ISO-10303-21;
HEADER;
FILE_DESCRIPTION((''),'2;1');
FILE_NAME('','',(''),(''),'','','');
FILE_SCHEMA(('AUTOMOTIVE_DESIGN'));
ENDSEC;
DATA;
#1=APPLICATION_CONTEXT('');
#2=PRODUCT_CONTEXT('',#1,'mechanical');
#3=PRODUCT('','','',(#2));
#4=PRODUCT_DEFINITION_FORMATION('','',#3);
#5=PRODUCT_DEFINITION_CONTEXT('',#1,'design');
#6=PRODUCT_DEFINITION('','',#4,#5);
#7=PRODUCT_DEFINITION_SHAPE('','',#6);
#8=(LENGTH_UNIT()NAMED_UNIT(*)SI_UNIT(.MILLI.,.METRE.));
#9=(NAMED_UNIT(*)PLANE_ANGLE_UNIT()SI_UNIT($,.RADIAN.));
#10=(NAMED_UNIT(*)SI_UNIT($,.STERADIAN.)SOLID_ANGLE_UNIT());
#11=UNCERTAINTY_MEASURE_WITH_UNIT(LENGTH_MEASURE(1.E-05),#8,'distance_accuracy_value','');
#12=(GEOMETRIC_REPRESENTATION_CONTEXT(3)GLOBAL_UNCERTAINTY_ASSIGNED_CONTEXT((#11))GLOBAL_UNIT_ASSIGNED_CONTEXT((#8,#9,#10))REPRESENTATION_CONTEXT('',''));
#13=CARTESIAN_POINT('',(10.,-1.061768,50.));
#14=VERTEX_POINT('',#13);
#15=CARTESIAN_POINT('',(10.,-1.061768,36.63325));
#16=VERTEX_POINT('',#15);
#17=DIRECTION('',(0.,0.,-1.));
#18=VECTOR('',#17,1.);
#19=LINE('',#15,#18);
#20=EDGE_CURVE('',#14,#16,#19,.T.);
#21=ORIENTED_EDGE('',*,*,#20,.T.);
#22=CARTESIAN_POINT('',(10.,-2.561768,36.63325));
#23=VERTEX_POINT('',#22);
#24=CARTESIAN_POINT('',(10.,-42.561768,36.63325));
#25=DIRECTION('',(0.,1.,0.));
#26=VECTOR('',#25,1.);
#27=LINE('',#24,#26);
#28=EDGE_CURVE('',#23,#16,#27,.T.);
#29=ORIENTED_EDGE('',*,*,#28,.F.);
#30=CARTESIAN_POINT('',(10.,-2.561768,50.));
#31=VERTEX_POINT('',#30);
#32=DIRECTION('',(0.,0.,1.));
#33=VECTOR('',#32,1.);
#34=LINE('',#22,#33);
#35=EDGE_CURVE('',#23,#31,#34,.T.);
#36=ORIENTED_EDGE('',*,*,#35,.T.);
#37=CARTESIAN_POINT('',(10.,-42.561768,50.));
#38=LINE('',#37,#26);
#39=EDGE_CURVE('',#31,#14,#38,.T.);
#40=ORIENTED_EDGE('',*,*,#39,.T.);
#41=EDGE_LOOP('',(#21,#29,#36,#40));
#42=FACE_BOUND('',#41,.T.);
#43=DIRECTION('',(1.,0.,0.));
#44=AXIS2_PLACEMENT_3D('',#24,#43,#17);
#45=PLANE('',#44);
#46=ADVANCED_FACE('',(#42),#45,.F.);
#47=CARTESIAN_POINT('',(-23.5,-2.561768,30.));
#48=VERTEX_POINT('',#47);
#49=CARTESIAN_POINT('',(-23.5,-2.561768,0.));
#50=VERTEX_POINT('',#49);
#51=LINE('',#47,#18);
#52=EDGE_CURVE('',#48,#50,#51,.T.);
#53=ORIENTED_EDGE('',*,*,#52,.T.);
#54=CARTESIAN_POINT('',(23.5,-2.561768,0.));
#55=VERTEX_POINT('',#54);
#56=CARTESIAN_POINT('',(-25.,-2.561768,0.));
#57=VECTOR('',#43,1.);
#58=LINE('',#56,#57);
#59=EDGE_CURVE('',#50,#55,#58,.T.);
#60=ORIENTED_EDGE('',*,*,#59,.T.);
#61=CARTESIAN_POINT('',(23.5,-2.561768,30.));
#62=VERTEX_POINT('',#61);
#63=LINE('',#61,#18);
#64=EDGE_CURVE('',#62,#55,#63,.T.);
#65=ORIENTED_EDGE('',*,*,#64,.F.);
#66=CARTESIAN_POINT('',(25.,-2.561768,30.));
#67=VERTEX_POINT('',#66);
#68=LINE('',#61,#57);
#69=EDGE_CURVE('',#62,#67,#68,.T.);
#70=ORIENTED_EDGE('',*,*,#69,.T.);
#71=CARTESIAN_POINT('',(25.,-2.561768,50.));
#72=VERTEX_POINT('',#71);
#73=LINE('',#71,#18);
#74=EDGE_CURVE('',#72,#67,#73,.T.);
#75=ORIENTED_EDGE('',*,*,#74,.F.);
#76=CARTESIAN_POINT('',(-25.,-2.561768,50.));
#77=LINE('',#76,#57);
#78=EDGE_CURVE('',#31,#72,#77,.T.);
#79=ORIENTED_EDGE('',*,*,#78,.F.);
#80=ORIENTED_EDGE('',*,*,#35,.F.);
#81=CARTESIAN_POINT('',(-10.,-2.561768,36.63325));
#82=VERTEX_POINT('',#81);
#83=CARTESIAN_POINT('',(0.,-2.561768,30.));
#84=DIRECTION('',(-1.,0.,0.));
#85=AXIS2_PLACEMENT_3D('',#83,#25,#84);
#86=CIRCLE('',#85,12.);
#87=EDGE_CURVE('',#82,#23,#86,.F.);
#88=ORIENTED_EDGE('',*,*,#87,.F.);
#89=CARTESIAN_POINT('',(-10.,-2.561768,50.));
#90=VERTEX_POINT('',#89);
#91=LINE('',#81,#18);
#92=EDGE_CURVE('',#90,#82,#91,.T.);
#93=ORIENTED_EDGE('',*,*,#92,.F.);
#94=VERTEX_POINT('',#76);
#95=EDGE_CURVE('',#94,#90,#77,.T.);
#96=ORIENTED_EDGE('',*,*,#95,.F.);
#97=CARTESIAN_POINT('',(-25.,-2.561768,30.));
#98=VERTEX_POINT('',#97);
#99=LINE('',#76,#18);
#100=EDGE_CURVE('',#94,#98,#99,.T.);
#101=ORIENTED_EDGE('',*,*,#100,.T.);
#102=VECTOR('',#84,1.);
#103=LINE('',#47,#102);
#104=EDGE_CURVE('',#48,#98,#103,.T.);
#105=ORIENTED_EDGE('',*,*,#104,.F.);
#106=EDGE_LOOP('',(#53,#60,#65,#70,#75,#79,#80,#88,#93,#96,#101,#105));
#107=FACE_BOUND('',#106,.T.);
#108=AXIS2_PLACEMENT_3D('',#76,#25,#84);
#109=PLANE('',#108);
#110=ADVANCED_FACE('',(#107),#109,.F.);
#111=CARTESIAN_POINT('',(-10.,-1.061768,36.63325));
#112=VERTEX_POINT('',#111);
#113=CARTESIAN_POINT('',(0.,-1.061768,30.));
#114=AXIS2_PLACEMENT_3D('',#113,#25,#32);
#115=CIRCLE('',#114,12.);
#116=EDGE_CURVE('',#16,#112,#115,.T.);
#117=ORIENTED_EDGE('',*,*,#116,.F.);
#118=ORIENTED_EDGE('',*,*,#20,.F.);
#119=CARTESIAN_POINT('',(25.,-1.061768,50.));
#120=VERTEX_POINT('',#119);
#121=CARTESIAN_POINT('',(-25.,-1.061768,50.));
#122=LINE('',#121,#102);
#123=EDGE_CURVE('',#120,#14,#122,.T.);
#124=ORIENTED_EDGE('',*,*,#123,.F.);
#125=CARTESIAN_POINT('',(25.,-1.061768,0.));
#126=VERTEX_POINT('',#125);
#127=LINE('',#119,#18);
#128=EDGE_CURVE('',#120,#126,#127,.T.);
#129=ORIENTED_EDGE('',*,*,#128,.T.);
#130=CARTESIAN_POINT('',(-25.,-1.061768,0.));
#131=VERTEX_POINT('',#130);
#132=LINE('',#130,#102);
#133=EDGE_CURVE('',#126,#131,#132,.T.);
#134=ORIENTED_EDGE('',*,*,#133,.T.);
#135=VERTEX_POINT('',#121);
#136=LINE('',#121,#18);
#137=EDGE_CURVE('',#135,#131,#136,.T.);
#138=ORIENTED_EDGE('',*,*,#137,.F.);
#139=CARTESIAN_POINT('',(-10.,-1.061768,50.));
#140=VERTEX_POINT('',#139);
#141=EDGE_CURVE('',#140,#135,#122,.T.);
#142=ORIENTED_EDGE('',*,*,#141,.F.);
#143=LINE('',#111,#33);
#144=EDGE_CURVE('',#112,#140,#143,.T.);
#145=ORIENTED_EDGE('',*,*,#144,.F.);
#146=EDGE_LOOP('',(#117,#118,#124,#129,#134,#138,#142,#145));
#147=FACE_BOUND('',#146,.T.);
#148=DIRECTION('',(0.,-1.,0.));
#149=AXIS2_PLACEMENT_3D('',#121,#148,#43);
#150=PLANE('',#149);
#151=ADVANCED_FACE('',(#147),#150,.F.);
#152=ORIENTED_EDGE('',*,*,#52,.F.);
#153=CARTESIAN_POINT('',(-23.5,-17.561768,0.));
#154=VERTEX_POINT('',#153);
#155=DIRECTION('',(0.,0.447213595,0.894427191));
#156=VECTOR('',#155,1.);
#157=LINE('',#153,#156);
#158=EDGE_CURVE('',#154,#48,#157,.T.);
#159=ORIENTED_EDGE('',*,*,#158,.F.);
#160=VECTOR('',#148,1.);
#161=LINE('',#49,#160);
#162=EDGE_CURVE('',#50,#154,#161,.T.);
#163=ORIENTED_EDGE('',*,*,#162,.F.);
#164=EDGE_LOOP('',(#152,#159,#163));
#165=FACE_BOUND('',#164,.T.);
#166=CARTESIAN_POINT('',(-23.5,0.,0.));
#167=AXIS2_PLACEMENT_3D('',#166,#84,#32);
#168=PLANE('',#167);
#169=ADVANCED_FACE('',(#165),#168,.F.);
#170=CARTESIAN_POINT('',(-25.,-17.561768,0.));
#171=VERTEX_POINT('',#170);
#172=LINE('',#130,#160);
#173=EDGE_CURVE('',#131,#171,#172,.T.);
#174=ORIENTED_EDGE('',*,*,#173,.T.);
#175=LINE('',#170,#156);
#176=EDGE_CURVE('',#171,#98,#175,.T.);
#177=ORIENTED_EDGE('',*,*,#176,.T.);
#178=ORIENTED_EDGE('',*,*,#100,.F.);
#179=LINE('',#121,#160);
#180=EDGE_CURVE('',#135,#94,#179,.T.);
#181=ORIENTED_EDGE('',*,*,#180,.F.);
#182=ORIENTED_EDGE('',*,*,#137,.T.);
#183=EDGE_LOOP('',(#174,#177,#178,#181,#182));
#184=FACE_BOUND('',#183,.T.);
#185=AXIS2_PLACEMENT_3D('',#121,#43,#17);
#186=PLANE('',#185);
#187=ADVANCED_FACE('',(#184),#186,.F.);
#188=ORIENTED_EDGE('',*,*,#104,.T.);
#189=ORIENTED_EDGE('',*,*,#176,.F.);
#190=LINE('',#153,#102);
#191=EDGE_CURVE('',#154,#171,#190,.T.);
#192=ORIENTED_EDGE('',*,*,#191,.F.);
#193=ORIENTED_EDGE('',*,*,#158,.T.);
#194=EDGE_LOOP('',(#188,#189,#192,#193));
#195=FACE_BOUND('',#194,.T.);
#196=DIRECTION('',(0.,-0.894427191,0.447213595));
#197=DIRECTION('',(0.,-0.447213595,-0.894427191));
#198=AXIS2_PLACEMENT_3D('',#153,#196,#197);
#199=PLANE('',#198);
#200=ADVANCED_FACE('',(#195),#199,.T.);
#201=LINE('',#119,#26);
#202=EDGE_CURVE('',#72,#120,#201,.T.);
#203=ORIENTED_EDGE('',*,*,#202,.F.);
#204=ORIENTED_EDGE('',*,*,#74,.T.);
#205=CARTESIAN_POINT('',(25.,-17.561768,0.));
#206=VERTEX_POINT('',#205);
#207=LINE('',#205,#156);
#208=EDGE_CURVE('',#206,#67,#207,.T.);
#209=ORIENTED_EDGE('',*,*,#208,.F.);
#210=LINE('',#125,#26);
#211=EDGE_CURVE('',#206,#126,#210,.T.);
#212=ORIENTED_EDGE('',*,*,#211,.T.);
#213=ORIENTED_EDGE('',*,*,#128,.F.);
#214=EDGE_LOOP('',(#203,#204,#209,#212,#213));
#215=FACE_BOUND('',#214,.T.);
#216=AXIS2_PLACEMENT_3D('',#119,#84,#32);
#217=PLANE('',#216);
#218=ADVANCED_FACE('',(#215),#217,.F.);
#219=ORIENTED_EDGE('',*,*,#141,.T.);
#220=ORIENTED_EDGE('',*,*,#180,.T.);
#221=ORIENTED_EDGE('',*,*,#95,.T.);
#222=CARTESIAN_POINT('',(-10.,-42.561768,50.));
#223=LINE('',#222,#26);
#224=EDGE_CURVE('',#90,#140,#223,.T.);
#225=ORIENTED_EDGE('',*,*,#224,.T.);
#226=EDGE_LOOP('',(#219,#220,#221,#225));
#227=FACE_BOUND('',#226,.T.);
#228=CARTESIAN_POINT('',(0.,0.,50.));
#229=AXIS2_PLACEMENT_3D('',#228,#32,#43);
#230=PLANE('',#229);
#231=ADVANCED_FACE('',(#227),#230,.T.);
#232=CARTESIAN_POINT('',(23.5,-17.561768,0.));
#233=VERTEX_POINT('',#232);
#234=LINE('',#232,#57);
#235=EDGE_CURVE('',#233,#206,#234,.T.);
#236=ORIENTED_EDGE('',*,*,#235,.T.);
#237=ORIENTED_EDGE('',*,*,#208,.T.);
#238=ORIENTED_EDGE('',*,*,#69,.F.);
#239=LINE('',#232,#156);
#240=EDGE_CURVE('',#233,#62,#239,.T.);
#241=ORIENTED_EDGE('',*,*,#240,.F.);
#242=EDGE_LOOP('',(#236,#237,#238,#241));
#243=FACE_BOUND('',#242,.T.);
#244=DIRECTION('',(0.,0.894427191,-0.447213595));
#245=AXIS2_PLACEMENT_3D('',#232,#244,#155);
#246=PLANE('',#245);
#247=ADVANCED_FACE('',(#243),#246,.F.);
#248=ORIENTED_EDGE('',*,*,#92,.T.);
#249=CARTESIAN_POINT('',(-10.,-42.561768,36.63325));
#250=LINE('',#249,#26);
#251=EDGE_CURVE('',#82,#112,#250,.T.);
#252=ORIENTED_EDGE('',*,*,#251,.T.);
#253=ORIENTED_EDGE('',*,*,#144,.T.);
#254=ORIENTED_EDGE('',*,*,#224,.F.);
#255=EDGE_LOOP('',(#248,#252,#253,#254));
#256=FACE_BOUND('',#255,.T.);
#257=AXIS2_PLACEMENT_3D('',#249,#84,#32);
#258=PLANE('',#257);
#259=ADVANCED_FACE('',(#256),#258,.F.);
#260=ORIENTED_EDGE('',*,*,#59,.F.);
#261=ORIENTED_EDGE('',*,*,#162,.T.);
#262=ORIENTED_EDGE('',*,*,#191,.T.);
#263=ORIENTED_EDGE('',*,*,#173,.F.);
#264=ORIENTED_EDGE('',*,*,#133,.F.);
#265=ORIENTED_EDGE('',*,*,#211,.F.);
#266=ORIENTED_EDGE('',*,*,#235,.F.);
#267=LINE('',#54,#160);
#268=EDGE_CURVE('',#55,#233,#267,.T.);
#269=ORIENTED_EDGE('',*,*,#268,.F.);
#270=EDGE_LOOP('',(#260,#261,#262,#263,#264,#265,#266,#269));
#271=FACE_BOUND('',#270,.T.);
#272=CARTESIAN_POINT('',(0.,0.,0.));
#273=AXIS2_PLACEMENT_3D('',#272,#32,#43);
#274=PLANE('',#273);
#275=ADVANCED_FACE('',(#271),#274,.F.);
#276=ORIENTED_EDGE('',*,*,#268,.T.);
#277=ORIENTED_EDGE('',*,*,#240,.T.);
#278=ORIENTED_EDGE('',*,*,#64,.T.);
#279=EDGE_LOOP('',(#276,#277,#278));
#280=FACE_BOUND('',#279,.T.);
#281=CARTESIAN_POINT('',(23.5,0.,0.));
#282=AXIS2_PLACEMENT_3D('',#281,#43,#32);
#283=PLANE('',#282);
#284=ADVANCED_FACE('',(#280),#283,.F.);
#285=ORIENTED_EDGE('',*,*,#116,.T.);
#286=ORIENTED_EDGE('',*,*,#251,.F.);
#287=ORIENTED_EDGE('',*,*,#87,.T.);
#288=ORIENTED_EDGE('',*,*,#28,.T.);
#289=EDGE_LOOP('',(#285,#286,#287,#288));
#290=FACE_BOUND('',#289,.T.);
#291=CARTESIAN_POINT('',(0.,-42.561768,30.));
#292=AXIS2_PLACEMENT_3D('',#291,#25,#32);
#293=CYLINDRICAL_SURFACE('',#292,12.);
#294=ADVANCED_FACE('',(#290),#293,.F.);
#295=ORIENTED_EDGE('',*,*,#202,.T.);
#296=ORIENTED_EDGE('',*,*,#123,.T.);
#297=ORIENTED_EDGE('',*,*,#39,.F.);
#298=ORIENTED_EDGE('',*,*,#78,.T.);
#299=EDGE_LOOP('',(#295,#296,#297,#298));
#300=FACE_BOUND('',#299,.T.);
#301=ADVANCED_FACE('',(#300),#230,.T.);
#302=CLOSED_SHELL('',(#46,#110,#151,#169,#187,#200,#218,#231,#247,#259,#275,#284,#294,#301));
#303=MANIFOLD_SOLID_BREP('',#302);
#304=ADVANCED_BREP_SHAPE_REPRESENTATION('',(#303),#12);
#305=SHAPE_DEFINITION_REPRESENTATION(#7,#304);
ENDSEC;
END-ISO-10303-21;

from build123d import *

# Parameters (mm, degrees)
SKETCH1_W           = 50
SKETCH1_H           = 1.5
BOSS_EXTRUDE1_DEPTH = 50
CUT_EXTRUDE1_DEPTH  = 1.5
BOSS_EXTRUDE2_DEPTH = 1.5


with BuildPart() as part:
    # Sketch1 → Boss-Extrude1 (new body)
    with BuildSketch(Plane.XY):
        with Locations((0, -1.811768481)):
            Rectangle(SKETCH1_W, SKETCH1_H)
    extrude(amount=BOSS_EXTRUDE1_DEPTH)

    # Sketch2 → Cut-Extrude1 (cut)
    with BuildSketch(Plane(origin=(0, -1.061768481, 0), x_dir=(1, 0, 0), z_dir=(0, 1, 0))):
        with BuildLine():
            Line((-10, -36.633249581), (-10, -50))
            Line((-10, -50), (10, -50))
            Line((10, -50), (10, -36.633249581))
            ThreePointArc((10, -36.633249581), (0, -18), (-10, -36.633249581))
        make_face()
    extrude(amount=-CUT_EXTRUDE1_DEPTH, mode=Mode.SUBTRACT)

    # Sketch4 → Boss-Extrude2 (add)
    with BuildSketch(Plane.ZY.offset(25)):
        Polygon((0, -2.561768481), (0, -17.561768481), (30, -2.561768481), align=None)
    boss_extrude2 = extrude(amount=-BOSS_EXTRUDE2_DEPTH)

    # Mirror1: Boss-Extrude2 across plane
    add(boss_extrude2.mirror(Plane(origin=(0, 0, 0), x_dir=(0, 0, 1), z_dir=(1, 0, 0))))


solid = part.part
